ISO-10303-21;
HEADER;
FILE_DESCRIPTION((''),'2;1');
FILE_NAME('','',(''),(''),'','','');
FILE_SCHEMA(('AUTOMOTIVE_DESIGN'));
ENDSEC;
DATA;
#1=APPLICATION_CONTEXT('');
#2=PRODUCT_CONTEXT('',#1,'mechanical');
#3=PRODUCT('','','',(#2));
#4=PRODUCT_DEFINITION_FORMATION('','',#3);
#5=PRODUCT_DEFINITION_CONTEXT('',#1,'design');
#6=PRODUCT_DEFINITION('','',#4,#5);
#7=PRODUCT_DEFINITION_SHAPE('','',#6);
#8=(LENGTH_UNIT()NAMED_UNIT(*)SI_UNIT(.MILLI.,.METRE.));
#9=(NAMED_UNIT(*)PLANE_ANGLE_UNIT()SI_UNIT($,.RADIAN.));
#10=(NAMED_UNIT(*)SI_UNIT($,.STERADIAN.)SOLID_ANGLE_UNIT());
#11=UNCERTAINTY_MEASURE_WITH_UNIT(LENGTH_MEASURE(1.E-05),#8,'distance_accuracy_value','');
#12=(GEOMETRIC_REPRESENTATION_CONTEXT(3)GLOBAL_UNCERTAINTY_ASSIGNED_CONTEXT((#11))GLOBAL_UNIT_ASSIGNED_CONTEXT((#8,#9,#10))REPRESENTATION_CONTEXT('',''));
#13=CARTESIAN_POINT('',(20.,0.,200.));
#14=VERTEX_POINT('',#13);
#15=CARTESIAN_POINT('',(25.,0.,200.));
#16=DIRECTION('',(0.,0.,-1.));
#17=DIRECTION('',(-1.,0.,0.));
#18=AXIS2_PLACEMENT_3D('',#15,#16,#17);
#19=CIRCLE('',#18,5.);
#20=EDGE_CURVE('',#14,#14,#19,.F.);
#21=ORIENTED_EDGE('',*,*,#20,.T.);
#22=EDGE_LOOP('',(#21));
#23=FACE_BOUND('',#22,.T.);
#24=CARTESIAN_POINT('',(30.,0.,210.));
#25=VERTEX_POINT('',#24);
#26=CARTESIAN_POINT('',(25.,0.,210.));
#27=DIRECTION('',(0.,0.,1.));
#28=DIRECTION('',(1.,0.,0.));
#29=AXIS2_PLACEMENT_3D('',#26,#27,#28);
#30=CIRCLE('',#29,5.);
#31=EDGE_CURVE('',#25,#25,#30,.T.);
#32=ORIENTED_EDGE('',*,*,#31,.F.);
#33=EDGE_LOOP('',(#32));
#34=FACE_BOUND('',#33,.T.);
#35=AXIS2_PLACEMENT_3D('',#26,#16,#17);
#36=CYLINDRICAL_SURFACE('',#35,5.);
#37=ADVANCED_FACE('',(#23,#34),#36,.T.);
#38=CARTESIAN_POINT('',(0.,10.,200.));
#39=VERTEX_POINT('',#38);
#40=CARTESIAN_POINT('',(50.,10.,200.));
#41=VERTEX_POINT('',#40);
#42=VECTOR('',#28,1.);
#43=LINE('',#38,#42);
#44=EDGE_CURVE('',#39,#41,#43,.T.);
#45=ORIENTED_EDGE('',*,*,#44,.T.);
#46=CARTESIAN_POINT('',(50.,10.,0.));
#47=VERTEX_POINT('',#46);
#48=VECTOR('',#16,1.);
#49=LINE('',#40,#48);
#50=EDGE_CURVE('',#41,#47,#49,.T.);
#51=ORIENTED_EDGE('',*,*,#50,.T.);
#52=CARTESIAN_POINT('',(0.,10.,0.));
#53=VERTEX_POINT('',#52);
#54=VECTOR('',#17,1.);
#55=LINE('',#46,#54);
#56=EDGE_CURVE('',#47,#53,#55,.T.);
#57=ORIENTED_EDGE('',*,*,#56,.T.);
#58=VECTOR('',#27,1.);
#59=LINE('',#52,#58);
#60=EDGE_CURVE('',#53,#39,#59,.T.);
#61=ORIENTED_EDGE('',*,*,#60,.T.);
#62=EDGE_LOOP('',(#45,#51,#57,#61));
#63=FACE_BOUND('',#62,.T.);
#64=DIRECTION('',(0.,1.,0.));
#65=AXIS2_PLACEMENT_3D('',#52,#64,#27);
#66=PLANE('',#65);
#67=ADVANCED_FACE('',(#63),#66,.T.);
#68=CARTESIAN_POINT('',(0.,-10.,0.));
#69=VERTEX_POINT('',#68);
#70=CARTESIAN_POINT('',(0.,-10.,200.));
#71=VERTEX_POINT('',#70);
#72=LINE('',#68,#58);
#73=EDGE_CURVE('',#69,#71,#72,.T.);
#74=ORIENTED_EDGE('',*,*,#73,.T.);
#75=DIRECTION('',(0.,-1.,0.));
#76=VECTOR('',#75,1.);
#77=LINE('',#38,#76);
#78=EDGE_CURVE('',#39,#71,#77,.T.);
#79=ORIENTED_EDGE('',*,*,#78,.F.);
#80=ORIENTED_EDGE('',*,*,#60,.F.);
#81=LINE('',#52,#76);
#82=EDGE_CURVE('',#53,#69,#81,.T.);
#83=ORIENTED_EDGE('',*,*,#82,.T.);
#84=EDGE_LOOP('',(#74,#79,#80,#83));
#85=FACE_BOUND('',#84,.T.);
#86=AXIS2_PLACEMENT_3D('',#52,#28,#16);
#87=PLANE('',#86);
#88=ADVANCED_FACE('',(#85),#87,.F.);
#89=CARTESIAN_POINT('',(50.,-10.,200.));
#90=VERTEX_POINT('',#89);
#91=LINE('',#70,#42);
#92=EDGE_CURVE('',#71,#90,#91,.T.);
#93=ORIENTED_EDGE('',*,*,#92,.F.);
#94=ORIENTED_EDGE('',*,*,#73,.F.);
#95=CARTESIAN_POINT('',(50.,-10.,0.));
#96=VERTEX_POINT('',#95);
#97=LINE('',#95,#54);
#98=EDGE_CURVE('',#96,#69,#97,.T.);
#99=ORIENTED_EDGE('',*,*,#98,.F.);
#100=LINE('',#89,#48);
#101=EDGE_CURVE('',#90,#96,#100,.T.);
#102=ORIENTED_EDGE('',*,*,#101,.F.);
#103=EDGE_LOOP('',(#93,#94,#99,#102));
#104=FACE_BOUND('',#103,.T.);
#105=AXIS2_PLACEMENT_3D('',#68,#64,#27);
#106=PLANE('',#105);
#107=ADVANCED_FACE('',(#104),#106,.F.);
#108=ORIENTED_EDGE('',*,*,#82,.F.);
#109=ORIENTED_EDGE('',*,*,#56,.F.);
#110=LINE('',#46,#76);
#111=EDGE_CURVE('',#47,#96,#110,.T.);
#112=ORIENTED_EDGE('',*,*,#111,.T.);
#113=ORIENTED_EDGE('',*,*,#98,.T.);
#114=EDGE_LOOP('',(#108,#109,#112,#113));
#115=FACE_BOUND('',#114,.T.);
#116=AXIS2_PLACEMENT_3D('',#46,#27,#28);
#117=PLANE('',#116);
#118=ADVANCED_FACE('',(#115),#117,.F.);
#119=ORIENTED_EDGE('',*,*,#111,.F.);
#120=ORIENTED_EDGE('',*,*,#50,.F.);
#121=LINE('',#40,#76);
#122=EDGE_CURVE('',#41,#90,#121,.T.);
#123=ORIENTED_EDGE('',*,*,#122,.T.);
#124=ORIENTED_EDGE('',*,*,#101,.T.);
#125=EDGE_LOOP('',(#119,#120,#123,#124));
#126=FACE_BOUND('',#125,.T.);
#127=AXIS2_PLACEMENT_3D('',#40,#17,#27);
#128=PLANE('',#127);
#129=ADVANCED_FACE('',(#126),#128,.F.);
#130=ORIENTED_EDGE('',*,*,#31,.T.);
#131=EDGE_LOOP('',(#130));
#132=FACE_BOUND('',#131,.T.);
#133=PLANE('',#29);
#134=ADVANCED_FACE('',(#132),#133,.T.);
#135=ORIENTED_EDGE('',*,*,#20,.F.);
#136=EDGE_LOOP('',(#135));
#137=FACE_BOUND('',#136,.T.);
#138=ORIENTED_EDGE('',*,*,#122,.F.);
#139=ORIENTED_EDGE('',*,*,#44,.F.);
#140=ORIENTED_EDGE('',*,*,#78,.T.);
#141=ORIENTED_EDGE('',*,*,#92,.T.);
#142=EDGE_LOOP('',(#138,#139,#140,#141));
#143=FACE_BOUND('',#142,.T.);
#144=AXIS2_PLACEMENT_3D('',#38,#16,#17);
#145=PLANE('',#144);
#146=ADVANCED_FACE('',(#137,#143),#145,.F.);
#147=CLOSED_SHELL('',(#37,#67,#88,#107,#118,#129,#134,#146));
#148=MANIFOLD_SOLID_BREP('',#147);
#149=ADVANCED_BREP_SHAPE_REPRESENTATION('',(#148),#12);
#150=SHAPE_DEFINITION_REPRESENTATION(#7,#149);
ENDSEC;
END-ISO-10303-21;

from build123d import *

# Parameters (mm, degrees)
SKETCH_1_W      = 50
SKETCH_1_H      = 200
EXTRUDE_1_DEPTH = 10
SKETCH_2_R      = 5
EXTRUDE_2_DEPTH = 10


with BuildPart() as part:
    # 草图1 → 凸台-拉伸1 (new body, symmetric)
    with BuildSketch(Plane(origin=(0, 0, 0), x_dir=(1, 0, 0), z_dir=(0, 1, 0))):
        with Locations((25, -100)):
            Rectangle(SKETCH_1_W, SKETCH_1_H)
    extrude(amount=EXTRUDE_1_DEPTH, both=True)

    # 草图2 → 凸台-拉伸2 (add, symmetric)
    with BuildSketch(Plane.XY.offset(200)):
        with Locations((25, 0)):
            Circle(SKETCH_2_R)
    extrude(amount=EXTRUDE_2_DEPTH, both=True)


solid = part.part
